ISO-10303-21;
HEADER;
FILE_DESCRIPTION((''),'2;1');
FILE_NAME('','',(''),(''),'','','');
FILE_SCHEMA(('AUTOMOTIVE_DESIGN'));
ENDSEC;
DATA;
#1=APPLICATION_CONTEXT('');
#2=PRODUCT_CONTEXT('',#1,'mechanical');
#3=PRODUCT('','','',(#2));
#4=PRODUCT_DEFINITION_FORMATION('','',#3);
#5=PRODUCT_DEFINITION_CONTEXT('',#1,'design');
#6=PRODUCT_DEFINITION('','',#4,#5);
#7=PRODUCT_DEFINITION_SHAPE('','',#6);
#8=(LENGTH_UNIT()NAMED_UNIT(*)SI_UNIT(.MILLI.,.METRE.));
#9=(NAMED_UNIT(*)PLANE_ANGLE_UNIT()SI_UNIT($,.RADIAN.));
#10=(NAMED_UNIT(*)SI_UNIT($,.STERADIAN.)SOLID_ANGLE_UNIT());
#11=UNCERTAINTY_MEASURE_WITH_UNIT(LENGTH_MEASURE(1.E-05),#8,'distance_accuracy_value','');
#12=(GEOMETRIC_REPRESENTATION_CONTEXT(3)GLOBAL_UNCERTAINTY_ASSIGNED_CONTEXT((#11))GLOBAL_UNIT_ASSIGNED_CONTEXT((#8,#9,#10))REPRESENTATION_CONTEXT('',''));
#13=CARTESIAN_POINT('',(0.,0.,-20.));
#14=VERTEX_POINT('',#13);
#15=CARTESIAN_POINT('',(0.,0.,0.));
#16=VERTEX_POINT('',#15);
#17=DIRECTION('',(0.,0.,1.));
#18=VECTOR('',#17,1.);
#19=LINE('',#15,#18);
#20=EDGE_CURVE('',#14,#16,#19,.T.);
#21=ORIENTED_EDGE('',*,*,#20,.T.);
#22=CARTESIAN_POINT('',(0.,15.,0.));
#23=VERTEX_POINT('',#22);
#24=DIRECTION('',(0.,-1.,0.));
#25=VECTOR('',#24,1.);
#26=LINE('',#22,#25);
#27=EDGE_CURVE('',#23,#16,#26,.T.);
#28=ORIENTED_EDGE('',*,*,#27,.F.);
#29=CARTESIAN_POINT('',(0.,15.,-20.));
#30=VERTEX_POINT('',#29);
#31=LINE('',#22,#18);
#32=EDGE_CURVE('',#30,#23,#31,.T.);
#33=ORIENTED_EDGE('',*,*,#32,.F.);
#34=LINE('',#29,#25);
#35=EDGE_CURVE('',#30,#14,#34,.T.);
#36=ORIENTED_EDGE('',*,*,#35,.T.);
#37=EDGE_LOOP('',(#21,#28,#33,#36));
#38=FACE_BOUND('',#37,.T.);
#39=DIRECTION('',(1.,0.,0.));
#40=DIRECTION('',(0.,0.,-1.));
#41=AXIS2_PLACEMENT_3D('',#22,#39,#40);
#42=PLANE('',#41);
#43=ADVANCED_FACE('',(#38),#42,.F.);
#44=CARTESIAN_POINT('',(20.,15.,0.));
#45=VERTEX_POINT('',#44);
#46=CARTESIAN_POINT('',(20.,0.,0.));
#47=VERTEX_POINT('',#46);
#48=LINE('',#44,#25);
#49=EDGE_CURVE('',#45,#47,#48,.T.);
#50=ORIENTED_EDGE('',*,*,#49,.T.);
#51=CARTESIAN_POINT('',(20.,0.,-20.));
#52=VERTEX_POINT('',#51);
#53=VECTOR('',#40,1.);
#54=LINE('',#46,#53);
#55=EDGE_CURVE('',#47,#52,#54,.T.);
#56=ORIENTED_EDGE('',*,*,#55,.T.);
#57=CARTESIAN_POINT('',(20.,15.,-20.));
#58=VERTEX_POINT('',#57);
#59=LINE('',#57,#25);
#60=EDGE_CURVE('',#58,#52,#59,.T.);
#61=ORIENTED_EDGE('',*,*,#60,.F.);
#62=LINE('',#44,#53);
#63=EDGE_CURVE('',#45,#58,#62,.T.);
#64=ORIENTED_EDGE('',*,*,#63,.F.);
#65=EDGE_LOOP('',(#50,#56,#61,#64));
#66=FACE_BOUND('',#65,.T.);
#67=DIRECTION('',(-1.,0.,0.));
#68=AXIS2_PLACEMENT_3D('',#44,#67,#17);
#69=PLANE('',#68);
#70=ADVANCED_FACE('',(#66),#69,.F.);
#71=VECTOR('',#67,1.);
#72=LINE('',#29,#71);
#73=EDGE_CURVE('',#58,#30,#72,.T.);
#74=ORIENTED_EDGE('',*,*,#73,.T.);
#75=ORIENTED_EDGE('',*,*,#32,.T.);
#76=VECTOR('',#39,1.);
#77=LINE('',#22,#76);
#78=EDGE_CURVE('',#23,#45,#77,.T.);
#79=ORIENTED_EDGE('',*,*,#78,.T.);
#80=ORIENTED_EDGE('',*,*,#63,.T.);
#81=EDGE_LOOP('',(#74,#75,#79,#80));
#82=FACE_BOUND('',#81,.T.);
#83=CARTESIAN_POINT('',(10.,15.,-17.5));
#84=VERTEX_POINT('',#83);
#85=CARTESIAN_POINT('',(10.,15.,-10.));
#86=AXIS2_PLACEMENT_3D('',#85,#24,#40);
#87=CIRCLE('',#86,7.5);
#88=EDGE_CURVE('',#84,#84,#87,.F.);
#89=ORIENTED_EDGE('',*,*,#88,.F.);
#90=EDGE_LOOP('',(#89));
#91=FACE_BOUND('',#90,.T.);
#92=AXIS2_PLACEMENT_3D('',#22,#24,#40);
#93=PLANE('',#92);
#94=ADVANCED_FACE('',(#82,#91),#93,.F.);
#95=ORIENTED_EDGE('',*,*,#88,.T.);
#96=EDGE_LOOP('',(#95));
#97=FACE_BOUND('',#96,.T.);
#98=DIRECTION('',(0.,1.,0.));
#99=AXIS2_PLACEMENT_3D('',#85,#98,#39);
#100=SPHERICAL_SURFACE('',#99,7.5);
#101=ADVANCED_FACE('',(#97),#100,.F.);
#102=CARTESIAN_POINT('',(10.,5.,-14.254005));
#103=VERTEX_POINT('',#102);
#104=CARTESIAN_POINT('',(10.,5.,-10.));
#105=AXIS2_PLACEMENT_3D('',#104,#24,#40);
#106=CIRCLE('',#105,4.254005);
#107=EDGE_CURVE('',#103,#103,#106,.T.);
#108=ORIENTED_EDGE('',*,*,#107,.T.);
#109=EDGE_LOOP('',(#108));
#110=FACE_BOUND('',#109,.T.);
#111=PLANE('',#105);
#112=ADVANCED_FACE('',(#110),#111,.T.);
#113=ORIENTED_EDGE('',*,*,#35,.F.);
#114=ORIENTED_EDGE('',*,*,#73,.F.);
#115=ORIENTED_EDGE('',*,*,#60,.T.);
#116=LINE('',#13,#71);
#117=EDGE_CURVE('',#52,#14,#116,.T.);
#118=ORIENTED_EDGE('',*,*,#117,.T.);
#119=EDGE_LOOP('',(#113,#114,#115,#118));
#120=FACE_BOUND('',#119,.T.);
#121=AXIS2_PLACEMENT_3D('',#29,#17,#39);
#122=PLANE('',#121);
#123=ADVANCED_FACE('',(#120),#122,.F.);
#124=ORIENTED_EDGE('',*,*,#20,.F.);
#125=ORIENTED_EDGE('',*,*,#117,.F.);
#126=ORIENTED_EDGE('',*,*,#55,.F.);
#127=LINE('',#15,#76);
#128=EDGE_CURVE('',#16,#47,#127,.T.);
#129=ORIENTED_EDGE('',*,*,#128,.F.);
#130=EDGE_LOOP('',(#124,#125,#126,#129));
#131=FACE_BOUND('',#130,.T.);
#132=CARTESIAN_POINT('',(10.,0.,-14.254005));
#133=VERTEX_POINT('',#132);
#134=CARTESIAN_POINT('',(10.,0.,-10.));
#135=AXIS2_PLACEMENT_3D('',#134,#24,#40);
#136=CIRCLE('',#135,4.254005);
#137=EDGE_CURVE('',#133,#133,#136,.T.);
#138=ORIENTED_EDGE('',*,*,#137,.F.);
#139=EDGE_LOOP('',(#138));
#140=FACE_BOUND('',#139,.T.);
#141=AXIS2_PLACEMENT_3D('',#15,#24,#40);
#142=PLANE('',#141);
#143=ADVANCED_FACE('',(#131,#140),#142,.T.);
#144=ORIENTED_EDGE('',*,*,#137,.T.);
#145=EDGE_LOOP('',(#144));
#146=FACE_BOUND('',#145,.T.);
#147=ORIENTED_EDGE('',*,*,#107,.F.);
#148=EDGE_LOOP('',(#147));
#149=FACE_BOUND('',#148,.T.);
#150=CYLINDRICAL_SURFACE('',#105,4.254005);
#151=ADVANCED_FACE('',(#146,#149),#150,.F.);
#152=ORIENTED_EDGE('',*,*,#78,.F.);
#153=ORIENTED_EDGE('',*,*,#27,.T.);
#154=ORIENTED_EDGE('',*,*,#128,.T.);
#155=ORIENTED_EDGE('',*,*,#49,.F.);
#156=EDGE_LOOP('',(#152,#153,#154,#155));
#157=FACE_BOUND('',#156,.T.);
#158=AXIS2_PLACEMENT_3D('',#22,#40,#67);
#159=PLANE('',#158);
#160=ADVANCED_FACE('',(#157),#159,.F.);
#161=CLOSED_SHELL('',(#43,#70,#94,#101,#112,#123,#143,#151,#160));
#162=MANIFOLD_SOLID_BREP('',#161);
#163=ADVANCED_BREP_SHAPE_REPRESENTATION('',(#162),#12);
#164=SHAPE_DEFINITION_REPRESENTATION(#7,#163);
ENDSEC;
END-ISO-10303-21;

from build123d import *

# Parameters (mm, degrees)
SKETCH1_W           = 20
SKETCH1_H           = 20
BOSS_EXTRUDE1_DEPTH = 15
SKETCH5_R           = 4.2540047
CUT_EXTRUDE1_DEPTH  = 5


with BuildPart() as part:
    # Sketch1 → Boss-Extrude1 (new body)
    with BuildSketch(Plane(origin=(0, 0, 0), x_dir=(1, 0, 0), z_dir=(0, 1, 0))):
        with Locations((10, 10)):
            Rectangle(SKETCH1_W, SKETCH1_H)
    extrude(amount=BOSS_EXTRUDE1_DEPTH)

    # Sketch4 → Cut-Revolve7 (revolve, cut)
    with BuildSketch(Plane.XY.offset(-10)):
        with BuildLine():
            Line((10, 22.5), (10, 7.5))
            ThreePointArc((10, 7.5), (17.5, 15), (10, 22.5))
        make_face()
    revolve(axis=Axis((10, 22.5, -10), (0, -1, 0)), mode=Mode.SUBTRACT)

    # Sketch5 → Cut-Extrude1 (cut)
    with BuildSketch(Plane.XZ):
        with Locations(Location((10, -10, 0), (0, 0, 270))):
            Circle(SKETCH5_R)
    extrude(amount=-CUT_EXTRUDE1_DEPTH, mode=Mode.SUBTRACT)


solid = part.part
